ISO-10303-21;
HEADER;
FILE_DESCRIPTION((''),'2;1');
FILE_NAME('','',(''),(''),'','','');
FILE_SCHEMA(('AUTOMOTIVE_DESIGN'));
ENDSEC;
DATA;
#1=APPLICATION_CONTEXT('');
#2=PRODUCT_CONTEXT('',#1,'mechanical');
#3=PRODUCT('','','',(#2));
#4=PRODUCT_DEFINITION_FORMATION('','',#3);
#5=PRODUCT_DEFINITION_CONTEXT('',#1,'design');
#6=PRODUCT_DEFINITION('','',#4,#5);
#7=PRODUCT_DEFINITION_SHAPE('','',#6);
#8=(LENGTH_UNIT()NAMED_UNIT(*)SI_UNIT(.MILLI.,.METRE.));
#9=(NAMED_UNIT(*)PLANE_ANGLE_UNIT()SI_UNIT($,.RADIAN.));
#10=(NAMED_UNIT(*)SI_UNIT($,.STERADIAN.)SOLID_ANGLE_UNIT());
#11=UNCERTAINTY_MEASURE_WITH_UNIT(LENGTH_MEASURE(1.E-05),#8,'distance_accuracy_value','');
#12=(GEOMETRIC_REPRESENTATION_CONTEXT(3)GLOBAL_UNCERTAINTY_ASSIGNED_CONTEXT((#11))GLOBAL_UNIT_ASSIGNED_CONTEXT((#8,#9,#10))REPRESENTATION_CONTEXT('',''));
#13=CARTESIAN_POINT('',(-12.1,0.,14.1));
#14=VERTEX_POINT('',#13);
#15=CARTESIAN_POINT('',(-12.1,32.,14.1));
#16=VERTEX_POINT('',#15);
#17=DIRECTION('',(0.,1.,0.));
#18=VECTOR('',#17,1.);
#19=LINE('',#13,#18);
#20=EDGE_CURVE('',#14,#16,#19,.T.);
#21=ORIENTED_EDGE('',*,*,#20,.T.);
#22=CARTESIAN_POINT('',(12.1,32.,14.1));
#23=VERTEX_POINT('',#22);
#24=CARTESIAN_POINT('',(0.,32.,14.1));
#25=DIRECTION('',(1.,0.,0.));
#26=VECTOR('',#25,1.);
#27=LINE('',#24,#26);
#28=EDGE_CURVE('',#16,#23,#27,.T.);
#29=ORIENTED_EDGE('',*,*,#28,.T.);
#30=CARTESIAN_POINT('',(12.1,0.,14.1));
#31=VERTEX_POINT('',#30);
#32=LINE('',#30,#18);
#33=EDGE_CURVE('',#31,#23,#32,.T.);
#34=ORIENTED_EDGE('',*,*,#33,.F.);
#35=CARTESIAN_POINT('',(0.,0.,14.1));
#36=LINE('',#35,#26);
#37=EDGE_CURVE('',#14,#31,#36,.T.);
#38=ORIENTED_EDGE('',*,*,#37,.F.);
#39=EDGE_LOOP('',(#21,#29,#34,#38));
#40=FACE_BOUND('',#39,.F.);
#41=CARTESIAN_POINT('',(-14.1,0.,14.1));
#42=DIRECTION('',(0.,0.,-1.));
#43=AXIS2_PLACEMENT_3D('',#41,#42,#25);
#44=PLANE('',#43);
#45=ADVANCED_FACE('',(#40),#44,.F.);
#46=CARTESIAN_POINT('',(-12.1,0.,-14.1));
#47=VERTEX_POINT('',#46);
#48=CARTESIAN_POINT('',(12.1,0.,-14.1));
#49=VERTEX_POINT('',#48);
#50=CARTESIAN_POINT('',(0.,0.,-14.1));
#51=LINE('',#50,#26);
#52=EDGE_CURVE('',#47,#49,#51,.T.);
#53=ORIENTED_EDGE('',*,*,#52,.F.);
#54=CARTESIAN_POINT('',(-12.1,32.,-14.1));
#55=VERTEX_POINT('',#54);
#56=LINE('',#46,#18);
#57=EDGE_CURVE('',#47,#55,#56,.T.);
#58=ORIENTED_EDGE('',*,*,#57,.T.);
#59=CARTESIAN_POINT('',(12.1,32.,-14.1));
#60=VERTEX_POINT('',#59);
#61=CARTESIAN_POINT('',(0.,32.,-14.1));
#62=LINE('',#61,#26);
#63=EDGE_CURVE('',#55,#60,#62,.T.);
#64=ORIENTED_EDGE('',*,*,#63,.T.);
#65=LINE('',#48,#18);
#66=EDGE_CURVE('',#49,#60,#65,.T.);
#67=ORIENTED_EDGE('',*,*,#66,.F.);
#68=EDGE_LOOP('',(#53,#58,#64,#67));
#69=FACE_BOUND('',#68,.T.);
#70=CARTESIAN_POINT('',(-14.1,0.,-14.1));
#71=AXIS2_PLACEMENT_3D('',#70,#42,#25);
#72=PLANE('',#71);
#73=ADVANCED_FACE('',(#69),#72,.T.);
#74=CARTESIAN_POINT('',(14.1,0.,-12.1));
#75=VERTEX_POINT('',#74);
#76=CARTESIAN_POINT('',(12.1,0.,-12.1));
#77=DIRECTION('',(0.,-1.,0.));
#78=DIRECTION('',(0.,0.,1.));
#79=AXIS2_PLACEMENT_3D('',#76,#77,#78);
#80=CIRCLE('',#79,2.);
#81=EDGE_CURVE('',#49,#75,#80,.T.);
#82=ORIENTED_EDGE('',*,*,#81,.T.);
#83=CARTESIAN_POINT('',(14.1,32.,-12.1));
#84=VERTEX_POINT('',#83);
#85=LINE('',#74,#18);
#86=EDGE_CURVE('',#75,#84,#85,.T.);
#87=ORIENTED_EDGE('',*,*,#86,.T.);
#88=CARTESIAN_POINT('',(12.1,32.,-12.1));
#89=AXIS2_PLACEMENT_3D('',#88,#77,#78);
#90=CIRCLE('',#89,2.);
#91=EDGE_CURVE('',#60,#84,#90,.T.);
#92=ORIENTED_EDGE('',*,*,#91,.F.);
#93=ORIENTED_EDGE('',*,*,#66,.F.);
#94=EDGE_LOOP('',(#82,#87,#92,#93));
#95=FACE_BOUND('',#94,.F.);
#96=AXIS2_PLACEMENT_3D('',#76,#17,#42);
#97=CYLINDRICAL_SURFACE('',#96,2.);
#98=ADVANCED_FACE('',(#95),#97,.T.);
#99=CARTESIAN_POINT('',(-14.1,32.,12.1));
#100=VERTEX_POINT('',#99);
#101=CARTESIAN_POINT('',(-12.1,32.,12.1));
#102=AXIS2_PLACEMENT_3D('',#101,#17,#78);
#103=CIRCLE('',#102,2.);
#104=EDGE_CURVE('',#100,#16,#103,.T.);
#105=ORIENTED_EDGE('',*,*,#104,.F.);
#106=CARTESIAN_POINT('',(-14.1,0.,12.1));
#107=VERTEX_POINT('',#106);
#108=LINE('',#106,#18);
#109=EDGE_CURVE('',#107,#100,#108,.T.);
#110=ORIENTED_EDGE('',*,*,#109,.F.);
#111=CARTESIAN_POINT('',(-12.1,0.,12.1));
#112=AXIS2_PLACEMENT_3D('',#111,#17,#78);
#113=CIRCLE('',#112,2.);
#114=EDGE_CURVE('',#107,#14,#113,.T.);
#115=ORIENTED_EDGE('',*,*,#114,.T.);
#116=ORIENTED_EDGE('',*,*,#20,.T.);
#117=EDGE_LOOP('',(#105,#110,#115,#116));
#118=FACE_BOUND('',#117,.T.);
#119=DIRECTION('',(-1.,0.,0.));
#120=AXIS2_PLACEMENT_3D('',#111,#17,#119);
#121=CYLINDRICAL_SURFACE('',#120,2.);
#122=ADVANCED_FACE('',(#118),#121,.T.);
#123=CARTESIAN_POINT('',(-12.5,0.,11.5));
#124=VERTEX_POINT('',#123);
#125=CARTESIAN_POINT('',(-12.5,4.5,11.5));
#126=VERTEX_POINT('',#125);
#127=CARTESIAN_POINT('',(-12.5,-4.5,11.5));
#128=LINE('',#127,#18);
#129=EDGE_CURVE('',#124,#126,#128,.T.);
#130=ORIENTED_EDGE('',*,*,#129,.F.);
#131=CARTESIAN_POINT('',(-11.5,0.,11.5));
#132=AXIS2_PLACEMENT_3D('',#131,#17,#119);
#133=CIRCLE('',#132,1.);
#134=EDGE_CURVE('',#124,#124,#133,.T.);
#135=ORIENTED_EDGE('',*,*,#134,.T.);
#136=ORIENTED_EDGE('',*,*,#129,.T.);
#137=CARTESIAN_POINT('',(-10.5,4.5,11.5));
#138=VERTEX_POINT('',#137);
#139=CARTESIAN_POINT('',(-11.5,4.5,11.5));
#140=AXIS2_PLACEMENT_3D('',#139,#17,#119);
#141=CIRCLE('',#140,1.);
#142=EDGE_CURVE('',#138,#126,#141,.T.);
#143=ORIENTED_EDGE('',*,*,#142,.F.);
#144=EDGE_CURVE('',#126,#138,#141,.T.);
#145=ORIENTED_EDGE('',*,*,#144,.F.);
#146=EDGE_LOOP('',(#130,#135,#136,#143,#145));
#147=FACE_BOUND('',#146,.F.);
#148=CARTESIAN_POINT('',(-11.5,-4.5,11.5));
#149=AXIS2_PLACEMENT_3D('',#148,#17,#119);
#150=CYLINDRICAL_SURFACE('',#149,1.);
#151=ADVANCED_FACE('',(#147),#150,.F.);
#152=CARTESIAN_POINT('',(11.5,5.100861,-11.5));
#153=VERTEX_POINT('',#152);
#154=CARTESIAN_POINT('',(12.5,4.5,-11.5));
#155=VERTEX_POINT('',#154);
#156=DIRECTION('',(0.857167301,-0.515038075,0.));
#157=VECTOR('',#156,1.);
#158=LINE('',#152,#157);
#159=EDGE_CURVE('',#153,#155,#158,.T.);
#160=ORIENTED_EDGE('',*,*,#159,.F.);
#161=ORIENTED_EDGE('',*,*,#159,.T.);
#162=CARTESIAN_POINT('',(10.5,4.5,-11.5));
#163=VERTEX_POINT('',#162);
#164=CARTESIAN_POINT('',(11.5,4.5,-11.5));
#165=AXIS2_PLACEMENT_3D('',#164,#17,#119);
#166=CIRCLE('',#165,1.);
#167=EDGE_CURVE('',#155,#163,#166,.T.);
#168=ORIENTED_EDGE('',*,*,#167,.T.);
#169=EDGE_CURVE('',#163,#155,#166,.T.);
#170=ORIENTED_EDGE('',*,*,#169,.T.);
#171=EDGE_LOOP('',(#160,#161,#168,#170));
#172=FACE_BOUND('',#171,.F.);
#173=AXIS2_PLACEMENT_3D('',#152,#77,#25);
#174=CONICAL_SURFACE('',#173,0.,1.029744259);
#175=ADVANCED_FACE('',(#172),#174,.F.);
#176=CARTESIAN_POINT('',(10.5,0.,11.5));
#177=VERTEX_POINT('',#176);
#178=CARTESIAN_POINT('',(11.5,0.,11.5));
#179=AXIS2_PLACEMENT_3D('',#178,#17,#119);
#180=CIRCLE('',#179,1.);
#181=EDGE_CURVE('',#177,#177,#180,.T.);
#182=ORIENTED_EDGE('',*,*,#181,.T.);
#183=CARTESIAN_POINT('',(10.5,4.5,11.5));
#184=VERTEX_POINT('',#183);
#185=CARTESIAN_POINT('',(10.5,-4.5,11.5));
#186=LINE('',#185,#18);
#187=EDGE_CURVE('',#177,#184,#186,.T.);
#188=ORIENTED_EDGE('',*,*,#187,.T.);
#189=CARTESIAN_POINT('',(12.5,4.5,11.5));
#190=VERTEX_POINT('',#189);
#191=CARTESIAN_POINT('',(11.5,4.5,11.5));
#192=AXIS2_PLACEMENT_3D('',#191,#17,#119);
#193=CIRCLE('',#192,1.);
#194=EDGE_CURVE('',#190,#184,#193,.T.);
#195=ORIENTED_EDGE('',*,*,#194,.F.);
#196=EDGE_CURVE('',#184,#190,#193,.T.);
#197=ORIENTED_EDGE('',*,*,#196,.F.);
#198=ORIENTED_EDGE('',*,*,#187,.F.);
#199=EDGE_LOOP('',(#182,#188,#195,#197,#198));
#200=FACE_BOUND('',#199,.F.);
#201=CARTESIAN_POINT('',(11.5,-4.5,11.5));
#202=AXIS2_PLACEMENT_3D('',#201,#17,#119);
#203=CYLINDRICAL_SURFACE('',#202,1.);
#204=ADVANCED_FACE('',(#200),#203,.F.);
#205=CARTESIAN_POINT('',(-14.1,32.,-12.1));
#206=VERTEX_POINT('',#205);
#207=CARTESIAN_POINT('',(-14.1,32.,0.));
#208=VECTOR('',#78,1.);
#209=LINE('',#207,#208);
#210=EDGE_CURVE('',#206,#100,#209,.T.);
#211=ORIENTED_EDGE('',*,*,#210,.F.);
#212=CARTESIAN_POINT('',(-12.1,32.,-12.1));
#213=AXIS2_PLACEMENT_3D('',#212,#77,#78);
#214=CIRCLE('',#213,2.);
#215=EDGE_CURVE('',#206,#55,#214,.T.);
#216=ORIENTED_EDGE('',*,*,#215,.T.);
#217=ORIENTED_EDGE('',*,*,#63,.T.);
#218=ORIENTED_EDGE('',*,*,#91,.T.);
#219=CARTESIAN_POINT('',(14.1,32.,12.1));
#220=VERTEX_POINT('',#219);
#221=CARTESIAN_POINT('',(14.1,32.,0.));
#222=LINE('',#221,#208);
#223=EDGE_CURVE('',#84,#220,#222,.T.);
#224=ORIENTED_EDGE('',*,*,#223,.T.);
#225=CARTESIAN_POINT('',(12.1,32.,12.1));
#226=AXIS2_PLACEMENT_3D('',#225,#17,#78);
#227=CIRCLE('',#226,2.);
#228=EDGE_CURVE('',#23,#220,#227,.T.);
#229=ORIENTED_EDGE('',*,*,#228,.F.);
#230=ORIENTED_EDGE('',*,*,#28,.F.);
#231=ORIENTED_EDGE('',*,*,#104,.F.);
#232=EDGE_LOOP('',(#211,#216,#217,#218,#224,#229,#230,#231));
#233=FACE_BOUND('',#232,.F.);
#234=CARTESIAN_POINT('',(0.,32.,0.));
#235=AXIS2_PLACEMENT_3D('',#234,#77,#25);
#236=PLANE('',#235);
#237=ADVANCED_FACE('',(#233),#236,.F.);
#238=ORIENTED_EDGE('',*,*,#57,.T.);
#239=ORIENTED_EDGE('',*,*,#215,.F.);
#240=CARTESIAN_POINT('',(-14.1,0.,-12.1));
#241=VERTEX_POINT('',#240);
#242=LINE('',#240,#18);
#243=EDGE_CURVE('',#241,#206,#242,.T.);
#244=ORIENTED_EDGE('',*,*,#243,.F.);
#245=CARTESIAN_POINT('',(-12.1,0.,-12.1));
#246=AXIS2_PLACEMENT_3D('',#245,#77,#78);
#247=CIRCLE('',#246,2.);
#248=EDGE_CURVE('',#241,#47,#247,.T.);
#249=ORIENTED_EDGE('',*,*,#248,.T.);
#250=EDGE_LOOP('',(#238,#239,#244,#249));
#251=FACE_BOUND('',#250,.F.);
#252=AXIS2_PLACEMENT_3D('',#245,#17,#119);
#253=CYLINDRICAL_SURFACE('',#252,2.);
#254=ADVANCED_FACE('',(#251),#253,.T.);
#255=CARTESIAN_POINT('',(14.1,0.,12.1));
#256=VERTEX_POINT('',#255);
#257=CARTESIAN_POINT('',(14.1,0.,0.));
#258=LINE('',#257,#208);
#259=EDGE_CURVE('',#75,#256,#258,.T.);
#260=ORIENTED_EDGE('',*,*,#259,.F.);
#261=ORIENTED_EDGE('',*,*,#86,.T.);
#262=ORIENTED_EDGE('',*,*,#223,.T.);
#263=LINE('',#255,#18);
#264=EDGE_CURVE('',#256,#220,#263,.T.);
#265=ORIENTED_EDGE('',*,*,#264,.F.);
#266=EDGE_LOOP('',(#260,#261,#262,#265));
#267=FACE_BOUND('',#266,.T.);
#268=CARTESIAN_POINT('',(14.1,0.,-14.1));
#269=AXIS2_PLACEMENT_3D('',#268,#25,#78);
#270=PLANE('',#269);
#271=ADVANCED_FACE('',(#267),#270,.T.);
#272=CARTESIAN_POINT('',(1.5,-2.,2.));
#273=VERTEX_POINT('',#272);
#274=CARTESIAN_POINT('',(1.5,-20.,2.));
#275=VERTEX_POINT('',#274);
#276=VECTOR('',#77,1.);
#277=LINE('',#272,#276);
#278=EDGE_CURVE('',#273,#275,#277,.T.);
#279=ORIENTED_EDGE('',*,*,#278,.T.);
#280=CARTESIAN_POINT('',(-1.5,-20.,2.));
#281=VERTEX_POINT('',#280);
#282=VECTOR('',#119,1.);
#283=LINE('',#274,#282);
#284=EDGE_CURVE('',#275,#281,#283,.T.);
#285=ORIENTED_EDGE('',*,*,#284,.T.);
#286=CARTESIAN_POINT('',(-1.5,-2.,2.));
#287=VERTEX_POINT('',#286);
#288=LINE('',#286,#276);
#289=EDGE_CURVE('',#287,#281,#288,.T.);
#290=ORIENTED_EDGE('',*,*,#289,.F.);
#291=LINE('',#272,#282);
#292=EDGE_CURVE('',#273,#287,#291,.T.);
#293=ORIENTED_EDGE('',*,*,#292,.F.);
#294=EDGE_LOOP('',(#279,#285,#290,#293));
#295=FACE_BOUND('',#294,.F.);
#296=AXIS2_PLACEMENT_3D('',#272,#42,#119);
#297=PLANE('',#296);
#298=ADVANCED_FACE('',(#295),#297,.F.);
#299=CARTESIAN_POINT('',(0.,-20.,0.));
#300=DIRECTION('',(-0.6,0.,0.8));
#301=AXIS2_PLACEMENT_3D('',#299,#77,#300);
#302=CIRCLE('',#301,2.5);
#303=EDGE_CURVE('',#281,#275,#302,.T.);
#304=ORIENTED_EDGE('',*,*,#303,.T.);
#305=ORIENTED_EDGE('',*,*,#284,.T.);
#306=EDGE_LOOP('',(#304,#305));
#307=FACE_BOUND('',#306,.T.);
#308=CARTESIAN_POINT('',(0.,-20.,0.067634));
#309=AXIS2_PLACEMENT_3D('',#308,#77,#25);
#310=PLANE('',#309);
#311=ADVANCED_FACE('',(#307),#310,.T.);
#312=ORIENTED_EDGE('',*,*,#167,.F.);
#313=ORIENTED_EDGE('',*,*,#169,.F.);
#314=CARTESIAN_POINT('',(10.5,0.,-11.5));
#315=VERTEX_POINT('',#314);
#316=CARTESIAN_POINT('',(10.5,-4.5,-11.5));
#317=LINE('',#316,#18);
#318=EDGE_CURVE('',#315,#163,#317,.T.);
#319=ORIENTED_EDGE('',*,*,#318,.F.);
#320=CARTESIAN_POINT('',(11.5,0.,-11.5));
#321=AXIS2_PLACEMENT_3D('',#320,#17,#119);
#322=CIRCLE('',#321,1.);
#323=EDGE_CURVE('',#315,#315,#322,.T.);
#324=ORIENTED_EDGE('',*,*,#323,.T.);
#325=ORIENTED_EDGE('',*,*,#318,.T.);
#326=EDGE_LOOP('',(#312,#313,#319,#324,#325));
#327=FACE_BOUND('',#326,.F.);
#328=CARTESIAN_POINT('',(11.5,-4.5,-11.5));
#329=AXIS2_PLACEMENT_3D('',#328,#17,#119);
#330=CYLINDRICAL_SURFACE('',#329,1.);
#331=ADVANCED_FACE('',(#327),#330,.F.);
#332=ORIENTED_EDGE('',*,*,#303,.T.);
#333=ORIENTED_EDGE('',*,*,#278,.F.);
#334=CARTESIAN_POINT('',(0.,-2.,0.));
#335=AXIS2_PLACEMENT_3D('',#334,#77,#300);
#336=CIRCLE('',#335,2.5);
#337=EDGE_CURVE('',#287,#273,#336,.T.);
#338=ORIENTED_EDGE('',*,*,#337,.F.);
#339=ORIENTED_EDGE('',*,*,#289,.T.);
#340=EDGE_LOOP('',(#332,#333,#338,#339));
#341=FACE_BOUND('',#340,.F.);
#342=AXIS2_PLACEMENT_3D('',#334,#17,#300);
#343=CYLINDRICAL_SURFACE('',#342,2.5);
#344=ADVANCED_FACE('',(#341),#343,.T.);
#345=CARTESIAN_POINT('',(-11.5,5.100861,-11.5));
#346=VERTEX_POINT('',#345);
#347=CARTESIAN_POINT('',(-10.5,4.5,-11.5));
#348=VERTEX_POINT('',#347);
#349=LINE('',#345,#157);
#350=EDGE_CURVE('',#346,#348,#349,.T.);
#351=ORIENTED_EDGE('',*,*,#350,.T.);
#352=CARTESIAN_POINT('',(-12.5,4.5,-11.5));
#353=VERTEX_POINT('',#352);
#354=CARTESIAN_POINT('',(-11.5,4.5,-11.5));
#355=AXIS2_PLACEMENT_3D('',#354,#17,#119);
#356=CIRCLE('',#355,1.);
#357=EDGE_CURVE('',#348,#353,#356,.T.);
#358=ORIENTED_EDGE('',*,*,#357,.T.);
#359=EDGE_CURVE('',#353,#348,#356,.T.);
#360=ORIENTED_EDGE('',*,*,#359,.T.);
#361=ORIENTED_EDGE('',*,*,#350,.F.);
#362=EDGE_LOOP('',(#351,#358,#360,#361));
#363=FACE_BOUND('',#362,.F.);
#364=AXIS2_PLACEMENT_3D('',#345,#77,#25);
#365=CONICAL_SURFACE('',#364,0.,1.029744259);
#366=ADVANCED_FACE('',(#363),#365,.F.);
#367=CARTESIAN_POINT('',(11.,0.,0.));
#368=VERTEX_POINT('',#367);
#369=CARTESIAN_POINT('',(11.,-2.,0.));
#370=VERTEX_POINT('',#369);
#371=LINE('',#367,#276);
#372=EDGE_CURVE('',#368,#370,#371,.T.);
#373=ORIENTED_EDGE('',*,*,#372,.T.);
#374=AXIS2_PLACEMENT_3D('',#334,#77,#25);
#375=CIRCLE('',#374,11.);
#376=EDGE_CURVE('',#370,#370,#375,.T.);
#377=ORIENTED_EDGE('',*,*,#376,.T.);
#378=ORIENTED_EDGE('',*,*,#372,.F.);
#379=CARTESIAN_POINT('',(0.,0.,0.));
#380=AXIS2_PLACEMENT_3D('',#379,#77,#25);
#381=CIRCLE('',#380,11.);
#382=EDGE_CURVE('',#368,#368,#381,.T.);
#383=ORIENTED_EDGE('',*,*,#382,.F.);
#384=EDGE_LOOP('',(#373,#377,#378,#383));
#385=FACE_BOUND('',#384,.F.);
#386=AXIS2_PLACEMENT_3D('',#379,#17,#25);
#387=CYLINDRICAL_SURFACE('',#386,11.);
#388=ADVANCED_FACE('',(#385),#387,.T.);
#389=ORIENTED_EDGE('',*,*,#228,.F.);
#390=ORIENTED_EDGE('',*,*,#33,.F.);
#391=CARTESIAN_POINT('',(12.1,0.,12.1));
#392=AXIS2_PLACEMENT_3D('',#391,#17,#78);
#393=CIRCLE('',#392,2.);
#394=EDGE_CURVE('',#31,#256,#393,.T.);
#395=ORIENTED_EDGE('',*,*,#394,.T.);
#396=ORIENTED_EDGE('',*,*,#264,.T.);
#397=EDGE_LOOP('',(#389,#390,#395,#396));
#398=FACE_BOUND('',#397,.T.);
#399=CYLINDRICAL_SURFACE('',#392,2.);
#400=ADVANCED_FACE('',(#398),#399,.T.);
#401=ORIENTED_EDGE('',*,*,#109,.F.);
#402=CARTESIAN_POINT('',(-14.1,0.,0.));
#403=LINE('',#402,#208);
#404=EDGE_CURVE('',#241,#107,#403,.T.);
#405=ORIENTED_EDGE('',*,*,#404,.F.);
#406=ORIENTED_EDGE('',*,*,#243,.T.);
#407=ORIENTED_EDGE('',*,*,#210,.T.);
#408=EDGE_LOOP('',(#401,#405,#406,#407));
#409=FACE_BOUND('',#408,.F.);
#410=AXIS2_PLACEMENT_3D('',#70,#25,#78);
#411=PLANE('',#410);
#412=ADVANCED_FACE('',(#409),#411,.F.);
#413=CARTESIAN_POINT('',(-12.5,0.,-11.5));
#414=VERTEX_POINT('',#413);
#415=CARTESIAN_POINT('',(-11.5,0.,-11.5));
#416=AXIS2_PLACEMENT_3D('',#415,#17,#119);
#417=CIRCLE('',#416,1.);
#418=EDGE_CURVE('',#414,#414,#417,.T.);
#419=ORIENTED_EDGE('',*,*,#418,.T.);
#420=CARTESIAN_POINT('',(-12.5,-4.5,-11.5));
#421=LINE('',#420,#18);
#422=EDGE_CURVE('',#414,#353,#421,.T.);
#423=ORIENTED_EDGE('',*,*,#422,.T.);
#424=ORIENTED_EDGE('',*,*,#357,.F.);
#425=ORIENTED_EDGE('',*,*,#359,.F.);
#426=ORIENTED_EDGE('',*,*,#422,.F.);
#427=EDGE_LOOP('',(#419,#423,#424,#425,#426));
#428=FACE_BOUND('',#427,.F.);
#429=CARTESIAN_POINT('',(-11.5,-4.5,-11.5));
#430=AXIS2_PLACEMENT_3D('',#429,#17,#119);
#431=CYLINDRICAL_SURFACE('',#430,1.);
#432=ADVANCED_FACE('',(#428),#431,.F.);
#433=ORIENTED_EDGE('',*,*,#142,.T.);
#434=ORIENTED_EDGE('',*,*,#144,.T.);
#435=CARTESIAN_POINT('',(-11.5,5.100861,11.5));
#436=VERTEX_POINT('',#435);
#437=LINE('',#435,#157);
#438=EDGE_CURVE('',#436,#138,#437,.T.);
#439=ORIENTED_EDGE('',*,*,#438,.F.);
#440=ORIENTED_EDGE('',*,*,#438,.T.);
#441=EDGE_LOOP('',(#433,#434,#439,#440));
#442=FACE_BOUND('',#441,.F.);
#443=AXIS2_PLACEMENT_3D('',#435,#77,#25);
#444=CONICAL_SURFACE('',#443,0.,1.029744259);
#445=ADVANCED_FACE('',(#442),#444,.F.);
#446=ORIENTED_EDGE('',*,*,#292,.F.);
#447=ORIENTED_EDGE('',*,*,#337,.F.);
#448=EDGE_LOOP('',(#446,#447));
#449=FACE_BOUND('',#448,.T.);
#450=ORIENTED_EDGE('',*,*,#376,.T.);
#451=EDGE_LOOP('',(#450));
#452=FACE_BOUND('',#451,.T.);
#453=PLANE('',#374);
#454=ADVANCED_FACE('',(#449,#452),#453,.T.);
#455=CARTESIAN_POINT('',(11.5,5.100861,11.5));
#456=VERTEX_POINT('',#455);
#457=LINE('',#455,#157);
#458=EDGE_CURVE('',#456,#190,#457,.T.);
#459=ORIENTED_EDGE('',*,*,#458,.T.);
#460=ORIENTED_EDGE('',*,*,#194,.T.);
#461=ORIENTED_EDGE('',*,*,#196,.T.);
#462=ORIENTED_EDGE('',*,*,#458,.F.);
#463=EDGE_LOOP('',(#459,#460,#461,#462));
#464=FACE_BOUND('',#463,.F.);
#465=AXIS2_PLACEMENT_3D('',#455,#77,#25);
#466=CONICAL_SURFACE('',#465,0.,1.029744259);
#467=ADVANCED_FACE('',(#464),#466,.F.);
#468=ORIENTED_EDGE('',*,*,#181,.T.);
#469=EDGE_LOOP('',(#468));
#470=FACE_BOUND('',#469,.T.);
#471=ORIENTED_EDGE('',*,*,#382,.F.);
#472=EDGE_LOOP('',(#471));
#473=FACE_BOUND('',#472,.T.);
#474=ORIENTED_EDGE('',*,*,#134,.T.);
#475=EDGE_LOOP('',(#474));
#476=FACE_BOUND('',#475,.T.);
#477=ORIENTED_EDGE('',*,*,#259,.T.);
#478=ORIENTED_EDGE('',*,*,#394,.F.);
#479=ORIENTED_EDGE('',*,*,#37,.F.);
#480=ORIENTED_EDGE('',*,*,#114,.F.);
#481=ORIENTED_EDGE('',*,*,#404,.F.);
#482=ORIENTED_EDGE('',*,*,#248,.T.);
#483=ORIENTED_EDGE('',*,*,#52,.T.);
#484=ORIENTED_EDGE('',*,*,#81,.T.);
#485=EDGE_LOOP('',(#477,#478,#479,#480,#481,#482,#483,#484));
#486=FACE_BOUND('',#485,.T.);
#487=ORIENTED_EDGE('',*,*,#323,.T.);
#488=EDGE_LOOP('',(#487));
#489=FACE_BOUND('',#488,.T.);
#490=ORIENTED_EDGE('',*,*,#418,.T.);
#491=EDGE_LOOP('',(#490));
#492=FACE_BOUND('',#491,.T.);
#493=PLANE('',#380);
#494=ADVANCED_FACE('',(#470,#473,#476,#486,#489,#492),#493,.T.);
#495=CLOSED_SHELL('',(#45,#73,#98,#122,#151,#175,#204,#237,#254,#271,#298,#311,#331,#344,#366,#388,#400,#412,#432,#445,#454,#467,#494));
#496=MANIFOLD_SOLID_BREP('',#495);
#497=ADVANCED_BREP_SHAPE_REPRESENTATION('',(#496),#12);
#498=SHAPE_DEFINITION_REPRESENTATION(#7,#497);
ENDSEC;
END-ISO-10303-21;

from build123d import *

# Parameters (mm, degrees)
F0_W     = 28.2
F0_H     = 28.2
F1_DEPTH = 32
F2_R     = 11
F3_DEPTH = 2
F5_DEPTH = 18
F7_D     = 2
F7_DEPTH = 4.5
F7_TIP   = 0.600860619
F8_R     = 2


with BuildPart() as f1:
    # F0 (on Front) → F1 (new body)
    with BuildSketch(Plane.XZ):
        Rectangle(F0_W, F0_H)
    extrude(amount=-F1_DEPTH)

    # F2 (on Front) → F3 (join)
    with BuildSketch(Plane.XZ):
        Circle(F2_R)
    extrude(amount=F3_DEPTH)

    # F4 (on face) → F5 (join)
    with BuildSketch(Plane.XZ.offset(2)):
        with BuildLine():
            Line((1.5, 2), (-1.5, 2))
            ThreePointArc((-1.5, 2), (0, -2.5), (1.5, 2))
        make_face()
    extrude(amount=F5_DEPTH)

    # F7
    with Locations(Plane.XZ):
        with Locations((-11.5, 11.5), (11.5, 11.5), (11.5, -11.5), (-11.5, -11.5)):
            Hole(F7_D / 2, depth=F7_DEPTH)
            with Locations((0, 0, -(F7_DEPTH + F7_TIP / 2))):  # 118° drill point
                Cone(0, F7_D / 2, F7_TIP, mode=Mode.SUBTRACT)

    # F8
    f8_edges = [f1.edges().sort_by_distance(p)[0] for p in [
        (14.1, 16, 14.1),
        (14.1, 16, -14.1),
        (-14.1, 16, 14.1),
        (-14.1, 16, -14.1),
    ]]
    fillet(f8_edges, radius=F8_R)


solid = f1.part
